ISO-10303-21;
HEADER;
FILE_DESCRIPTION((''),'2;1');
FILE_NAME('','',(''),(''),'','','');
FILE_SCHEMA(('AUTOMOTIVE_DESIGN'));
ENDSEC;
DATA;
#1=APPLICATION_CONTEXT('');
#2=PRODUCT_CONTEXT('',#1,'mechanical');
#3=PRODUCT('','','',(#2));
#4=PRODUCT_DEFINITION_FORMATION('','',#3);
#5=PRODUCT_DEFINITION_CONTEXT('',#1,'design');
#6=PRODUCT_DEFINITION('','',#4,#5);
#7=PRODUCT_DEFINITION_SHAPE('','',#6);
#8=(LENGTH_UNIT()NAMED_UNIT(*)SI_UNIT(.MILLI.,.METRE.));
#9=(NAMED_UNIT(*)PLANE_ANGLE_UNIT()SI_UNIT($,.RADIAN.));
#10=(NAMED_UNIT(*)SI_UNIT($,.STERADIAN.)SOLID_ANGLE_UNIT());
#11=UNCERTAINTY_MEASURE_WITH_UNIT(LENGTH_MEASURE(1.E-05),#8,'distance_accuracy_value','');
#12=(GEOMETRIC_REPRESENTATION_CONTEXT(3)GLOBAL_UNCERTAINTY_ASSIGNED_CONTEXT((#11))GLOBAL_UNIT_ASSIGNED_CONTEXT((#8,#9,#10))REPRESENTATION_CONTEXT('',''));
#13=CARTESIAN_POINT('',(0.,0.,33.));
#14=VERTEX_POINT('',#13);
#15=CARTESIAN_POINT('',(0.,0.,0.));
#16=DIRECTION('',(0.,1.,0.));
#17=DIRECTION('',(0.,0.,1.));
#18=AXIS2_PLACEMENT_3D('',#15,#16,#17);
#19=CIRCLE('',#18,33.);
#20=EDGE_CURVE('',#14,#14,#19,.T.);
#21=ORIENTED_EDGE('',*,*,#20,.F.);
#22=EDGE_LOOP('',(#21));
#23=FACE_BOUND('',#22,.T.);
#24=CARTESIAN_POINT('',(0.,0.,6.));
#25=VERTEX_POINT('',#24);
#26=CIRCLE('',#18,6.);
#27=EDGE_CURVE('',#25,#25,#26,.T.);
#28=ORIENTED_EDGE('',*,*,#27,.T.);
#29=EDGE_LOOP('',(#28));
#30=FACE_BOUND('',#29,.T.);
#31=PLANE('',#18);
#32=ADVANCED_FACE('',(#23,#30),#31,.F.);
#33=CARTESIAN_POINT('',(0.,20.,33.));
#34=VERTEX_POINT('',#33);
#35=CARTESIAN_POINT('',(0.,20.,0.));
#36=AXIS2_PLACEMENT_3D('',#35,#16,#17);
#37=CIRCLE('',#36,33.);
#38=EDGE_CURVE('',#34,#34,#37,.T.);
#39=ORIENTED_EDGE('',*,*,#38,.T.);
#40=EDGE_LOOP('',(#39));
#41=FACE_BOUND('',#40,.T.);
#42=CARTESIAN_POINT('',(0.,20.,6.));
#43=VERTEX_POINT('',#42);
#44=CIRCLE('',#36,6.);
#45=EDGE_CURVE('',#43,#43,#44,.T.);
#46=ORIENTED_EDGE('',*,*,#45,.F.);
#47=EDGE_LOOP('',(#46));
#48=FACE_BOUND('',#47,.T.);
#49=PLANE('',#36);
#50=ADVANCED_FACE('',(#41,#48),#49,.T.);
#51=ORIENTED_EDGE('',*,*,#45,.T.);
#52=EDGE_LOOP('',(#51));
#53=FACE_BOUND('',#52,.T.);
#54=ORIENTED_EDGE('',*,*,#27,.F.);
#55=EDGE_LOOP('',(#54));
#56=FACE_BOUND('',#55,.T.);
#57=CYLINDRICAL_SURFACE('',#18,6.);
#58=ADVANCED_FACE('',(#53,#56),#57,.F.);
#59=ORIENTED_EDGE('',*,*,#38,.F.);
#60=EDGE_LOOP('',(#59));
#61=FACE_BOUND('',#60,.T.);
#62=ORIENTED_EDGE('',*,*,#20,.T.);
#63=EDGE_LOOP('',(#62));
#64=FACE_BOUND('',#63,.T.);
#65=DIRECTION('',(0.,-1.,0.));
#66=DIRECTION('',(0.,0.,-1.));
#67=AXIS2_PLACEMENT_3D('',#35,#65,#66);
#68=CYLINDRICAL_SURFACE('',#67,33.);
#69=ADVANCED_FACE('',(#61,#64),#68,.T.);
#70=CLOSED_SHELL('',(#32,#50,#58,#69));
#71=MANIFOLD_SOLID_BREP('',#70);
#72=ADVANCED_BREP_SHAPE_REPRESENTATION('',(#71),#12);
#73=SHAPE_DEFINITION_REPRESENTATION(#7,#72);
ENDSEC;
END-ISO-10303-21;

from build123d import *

# Parameters (mm, degrees)
SKETCH1_R           = 33
BOSS_EXTRUDE1_DEPTH = 20
SKETCH2_R           = 6
CUT_EXTRUDE1_DEPTH  = 20


with BuildPart() as part:
    # Sketch1 → Boss-Extrude1 (new body)
    with BuildSketch(Plane(origin=(0, 0, 0), x_dir=(1, 0, 0), z_dir=(0, 1, 0))):
        Circle(SKETCH1_R)
    extrude(amount=BOSS_EXTRUDE1_DEPTH)

    # Sketch2 → Cut-Extrude1 (cut)
    with BuildSketch(Plane(origin=(0, 20, 0), x_dir=(1, 0, 0), z_dir=(0, 1, 0))):
        Circle(SKETCH2_R)
    extrude(amount=-CUT_EXTRUDE1_DEPTH, mode=Mode.SUBTRACT)


solid = part.part
